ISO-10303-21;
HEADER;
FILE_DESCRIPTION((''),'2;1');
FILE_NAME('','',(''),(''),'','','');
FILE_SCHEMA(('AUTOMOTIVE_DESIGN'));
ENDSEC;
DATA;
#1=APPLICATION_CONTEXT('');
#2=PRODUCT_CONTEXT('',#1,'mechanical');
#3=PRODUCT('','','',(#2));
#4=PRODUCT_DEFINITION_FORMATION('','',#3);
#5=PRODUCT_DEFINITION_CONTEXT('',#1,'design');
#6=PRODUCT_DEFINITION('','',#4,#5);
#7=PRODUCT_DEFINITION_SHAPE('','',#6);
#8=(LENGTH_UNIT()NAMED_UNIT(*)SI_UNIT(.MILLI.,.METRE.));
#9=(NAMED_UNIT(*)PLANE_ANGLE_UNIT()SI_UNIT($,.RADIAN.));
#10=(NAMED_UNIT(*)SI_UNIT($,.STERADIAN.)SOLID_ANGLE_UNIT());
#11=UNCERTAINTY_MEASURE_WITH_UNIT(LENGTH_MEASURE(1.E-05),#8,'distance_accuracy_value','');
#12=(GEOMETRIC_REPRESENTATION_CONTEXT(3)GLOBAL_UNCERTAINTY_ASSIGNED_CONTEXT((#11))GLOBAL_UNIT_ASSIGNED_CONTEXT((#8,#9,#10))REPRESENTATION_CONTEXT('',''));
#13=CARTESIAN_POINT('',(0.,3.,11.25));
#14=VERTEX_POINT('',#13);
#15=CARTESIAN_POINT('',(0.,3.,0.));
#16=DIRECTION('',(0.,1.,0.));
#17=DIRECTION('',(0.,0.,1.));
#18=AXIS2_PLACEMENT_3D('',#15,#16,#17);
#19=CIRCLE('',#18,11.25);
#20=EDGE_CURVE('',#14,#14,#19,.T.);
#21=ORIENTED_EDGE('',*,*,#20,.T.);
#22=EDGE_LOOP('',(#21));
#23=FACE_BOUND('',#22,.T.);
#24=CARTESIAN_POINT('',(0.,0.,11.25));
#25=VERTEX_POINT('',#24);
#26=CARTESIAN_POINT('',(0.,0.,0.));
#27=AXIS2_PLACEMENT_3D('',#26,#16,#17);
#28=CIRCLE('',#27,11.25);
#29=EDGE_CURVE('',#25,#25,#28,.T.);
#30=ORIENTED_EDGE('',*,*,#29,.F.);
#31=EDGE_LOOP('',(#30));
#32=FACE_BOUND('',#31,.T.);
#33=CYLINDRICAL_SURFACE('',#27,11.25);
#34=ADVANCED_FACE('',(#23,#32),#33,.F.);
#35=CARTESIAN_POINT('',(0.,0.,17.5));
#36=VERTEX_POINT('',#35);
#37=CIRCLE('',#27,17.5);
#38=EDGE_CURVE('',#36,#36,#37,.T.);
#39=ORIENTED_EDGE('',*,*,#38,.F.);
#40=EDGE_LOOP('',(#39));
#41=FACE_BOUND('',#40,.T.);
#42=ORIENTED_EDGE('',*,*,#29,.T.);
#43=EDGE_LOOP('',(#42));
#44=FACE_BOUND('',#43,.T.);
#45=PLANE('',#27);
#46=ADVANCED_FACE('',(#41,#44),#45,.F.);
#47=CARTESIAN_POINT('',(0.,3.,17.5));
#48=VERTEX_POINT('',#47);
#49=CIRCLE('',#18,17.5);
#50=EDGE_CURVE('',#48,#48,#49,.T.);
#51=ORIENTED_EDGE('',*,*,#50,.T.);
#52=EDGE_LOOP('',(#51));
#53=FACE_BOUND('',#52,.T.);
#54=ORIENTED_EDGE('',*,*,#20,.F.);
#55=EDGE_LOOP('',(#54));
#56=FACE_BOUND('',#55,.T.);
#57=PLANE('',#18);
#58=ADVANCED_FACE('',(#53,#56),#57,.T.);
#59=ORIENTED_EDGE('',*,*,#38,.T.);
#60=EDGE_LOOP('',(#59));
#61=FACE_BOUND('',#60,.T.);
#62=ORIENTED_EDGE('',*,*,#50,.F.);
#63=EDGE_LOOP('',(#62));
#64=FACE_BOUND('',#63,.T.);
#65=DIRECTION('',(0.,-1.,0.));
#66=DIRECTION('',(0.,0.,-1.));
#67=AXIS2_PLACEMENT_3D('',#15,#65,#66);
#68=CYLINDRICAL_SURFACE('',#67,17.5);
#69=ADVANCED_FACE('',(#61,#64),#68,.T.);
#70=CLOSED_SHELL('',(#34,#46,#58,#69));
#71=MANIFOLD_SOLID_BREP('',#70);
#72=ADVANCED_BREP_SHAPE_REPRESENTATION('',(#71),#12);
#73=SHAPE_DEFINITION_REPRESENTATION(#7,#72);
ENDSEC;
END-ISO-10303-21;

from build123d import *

# Parameters (mm, degrees)
SKIZZE1_R                       = 17.5
AUFSATZ_LINEAR_AUSTRAGEN1_DEPTH = 3
SKIZZE2_R                       = 11.25
SCHNITT_LINEAR_AUSTRAGEN1_DEPTH = 25.929901725


with BuildPart() as part:
    # Skizze1 → Aufsatz-Linear austragen1 (new body)
    with BuildSketch(Plane(origin=(0, 0, 0), x_dir=(1, 0, 0), z_dir=(0, 1, 0))):
        with Locations(Location((0, 0, 0), (0, 0, 270))):
            Circle(SKIZZE1_R)
    extrude(amount=AUFSATZ_LINEAR_AUSTRAGEN1_DEPTH)

    # Skizze2 → Schnitt-Linear austragen1 (cut, through all)
    with BuildSketch(Plane(origin=(0, 3, 0), x_dir=(1, 0, 0), z_dir=(0, 1, 0))):
        with Locations(Location((0, 0, 0), (0, 0, 270))):
            Circle(SKIZZE2_R)
    extrude(amount=-SCHNITT_LINEAR_AUSTRAGEN1_DEPTH, mode=Mode.SUBTRACT)


solid = part.part
